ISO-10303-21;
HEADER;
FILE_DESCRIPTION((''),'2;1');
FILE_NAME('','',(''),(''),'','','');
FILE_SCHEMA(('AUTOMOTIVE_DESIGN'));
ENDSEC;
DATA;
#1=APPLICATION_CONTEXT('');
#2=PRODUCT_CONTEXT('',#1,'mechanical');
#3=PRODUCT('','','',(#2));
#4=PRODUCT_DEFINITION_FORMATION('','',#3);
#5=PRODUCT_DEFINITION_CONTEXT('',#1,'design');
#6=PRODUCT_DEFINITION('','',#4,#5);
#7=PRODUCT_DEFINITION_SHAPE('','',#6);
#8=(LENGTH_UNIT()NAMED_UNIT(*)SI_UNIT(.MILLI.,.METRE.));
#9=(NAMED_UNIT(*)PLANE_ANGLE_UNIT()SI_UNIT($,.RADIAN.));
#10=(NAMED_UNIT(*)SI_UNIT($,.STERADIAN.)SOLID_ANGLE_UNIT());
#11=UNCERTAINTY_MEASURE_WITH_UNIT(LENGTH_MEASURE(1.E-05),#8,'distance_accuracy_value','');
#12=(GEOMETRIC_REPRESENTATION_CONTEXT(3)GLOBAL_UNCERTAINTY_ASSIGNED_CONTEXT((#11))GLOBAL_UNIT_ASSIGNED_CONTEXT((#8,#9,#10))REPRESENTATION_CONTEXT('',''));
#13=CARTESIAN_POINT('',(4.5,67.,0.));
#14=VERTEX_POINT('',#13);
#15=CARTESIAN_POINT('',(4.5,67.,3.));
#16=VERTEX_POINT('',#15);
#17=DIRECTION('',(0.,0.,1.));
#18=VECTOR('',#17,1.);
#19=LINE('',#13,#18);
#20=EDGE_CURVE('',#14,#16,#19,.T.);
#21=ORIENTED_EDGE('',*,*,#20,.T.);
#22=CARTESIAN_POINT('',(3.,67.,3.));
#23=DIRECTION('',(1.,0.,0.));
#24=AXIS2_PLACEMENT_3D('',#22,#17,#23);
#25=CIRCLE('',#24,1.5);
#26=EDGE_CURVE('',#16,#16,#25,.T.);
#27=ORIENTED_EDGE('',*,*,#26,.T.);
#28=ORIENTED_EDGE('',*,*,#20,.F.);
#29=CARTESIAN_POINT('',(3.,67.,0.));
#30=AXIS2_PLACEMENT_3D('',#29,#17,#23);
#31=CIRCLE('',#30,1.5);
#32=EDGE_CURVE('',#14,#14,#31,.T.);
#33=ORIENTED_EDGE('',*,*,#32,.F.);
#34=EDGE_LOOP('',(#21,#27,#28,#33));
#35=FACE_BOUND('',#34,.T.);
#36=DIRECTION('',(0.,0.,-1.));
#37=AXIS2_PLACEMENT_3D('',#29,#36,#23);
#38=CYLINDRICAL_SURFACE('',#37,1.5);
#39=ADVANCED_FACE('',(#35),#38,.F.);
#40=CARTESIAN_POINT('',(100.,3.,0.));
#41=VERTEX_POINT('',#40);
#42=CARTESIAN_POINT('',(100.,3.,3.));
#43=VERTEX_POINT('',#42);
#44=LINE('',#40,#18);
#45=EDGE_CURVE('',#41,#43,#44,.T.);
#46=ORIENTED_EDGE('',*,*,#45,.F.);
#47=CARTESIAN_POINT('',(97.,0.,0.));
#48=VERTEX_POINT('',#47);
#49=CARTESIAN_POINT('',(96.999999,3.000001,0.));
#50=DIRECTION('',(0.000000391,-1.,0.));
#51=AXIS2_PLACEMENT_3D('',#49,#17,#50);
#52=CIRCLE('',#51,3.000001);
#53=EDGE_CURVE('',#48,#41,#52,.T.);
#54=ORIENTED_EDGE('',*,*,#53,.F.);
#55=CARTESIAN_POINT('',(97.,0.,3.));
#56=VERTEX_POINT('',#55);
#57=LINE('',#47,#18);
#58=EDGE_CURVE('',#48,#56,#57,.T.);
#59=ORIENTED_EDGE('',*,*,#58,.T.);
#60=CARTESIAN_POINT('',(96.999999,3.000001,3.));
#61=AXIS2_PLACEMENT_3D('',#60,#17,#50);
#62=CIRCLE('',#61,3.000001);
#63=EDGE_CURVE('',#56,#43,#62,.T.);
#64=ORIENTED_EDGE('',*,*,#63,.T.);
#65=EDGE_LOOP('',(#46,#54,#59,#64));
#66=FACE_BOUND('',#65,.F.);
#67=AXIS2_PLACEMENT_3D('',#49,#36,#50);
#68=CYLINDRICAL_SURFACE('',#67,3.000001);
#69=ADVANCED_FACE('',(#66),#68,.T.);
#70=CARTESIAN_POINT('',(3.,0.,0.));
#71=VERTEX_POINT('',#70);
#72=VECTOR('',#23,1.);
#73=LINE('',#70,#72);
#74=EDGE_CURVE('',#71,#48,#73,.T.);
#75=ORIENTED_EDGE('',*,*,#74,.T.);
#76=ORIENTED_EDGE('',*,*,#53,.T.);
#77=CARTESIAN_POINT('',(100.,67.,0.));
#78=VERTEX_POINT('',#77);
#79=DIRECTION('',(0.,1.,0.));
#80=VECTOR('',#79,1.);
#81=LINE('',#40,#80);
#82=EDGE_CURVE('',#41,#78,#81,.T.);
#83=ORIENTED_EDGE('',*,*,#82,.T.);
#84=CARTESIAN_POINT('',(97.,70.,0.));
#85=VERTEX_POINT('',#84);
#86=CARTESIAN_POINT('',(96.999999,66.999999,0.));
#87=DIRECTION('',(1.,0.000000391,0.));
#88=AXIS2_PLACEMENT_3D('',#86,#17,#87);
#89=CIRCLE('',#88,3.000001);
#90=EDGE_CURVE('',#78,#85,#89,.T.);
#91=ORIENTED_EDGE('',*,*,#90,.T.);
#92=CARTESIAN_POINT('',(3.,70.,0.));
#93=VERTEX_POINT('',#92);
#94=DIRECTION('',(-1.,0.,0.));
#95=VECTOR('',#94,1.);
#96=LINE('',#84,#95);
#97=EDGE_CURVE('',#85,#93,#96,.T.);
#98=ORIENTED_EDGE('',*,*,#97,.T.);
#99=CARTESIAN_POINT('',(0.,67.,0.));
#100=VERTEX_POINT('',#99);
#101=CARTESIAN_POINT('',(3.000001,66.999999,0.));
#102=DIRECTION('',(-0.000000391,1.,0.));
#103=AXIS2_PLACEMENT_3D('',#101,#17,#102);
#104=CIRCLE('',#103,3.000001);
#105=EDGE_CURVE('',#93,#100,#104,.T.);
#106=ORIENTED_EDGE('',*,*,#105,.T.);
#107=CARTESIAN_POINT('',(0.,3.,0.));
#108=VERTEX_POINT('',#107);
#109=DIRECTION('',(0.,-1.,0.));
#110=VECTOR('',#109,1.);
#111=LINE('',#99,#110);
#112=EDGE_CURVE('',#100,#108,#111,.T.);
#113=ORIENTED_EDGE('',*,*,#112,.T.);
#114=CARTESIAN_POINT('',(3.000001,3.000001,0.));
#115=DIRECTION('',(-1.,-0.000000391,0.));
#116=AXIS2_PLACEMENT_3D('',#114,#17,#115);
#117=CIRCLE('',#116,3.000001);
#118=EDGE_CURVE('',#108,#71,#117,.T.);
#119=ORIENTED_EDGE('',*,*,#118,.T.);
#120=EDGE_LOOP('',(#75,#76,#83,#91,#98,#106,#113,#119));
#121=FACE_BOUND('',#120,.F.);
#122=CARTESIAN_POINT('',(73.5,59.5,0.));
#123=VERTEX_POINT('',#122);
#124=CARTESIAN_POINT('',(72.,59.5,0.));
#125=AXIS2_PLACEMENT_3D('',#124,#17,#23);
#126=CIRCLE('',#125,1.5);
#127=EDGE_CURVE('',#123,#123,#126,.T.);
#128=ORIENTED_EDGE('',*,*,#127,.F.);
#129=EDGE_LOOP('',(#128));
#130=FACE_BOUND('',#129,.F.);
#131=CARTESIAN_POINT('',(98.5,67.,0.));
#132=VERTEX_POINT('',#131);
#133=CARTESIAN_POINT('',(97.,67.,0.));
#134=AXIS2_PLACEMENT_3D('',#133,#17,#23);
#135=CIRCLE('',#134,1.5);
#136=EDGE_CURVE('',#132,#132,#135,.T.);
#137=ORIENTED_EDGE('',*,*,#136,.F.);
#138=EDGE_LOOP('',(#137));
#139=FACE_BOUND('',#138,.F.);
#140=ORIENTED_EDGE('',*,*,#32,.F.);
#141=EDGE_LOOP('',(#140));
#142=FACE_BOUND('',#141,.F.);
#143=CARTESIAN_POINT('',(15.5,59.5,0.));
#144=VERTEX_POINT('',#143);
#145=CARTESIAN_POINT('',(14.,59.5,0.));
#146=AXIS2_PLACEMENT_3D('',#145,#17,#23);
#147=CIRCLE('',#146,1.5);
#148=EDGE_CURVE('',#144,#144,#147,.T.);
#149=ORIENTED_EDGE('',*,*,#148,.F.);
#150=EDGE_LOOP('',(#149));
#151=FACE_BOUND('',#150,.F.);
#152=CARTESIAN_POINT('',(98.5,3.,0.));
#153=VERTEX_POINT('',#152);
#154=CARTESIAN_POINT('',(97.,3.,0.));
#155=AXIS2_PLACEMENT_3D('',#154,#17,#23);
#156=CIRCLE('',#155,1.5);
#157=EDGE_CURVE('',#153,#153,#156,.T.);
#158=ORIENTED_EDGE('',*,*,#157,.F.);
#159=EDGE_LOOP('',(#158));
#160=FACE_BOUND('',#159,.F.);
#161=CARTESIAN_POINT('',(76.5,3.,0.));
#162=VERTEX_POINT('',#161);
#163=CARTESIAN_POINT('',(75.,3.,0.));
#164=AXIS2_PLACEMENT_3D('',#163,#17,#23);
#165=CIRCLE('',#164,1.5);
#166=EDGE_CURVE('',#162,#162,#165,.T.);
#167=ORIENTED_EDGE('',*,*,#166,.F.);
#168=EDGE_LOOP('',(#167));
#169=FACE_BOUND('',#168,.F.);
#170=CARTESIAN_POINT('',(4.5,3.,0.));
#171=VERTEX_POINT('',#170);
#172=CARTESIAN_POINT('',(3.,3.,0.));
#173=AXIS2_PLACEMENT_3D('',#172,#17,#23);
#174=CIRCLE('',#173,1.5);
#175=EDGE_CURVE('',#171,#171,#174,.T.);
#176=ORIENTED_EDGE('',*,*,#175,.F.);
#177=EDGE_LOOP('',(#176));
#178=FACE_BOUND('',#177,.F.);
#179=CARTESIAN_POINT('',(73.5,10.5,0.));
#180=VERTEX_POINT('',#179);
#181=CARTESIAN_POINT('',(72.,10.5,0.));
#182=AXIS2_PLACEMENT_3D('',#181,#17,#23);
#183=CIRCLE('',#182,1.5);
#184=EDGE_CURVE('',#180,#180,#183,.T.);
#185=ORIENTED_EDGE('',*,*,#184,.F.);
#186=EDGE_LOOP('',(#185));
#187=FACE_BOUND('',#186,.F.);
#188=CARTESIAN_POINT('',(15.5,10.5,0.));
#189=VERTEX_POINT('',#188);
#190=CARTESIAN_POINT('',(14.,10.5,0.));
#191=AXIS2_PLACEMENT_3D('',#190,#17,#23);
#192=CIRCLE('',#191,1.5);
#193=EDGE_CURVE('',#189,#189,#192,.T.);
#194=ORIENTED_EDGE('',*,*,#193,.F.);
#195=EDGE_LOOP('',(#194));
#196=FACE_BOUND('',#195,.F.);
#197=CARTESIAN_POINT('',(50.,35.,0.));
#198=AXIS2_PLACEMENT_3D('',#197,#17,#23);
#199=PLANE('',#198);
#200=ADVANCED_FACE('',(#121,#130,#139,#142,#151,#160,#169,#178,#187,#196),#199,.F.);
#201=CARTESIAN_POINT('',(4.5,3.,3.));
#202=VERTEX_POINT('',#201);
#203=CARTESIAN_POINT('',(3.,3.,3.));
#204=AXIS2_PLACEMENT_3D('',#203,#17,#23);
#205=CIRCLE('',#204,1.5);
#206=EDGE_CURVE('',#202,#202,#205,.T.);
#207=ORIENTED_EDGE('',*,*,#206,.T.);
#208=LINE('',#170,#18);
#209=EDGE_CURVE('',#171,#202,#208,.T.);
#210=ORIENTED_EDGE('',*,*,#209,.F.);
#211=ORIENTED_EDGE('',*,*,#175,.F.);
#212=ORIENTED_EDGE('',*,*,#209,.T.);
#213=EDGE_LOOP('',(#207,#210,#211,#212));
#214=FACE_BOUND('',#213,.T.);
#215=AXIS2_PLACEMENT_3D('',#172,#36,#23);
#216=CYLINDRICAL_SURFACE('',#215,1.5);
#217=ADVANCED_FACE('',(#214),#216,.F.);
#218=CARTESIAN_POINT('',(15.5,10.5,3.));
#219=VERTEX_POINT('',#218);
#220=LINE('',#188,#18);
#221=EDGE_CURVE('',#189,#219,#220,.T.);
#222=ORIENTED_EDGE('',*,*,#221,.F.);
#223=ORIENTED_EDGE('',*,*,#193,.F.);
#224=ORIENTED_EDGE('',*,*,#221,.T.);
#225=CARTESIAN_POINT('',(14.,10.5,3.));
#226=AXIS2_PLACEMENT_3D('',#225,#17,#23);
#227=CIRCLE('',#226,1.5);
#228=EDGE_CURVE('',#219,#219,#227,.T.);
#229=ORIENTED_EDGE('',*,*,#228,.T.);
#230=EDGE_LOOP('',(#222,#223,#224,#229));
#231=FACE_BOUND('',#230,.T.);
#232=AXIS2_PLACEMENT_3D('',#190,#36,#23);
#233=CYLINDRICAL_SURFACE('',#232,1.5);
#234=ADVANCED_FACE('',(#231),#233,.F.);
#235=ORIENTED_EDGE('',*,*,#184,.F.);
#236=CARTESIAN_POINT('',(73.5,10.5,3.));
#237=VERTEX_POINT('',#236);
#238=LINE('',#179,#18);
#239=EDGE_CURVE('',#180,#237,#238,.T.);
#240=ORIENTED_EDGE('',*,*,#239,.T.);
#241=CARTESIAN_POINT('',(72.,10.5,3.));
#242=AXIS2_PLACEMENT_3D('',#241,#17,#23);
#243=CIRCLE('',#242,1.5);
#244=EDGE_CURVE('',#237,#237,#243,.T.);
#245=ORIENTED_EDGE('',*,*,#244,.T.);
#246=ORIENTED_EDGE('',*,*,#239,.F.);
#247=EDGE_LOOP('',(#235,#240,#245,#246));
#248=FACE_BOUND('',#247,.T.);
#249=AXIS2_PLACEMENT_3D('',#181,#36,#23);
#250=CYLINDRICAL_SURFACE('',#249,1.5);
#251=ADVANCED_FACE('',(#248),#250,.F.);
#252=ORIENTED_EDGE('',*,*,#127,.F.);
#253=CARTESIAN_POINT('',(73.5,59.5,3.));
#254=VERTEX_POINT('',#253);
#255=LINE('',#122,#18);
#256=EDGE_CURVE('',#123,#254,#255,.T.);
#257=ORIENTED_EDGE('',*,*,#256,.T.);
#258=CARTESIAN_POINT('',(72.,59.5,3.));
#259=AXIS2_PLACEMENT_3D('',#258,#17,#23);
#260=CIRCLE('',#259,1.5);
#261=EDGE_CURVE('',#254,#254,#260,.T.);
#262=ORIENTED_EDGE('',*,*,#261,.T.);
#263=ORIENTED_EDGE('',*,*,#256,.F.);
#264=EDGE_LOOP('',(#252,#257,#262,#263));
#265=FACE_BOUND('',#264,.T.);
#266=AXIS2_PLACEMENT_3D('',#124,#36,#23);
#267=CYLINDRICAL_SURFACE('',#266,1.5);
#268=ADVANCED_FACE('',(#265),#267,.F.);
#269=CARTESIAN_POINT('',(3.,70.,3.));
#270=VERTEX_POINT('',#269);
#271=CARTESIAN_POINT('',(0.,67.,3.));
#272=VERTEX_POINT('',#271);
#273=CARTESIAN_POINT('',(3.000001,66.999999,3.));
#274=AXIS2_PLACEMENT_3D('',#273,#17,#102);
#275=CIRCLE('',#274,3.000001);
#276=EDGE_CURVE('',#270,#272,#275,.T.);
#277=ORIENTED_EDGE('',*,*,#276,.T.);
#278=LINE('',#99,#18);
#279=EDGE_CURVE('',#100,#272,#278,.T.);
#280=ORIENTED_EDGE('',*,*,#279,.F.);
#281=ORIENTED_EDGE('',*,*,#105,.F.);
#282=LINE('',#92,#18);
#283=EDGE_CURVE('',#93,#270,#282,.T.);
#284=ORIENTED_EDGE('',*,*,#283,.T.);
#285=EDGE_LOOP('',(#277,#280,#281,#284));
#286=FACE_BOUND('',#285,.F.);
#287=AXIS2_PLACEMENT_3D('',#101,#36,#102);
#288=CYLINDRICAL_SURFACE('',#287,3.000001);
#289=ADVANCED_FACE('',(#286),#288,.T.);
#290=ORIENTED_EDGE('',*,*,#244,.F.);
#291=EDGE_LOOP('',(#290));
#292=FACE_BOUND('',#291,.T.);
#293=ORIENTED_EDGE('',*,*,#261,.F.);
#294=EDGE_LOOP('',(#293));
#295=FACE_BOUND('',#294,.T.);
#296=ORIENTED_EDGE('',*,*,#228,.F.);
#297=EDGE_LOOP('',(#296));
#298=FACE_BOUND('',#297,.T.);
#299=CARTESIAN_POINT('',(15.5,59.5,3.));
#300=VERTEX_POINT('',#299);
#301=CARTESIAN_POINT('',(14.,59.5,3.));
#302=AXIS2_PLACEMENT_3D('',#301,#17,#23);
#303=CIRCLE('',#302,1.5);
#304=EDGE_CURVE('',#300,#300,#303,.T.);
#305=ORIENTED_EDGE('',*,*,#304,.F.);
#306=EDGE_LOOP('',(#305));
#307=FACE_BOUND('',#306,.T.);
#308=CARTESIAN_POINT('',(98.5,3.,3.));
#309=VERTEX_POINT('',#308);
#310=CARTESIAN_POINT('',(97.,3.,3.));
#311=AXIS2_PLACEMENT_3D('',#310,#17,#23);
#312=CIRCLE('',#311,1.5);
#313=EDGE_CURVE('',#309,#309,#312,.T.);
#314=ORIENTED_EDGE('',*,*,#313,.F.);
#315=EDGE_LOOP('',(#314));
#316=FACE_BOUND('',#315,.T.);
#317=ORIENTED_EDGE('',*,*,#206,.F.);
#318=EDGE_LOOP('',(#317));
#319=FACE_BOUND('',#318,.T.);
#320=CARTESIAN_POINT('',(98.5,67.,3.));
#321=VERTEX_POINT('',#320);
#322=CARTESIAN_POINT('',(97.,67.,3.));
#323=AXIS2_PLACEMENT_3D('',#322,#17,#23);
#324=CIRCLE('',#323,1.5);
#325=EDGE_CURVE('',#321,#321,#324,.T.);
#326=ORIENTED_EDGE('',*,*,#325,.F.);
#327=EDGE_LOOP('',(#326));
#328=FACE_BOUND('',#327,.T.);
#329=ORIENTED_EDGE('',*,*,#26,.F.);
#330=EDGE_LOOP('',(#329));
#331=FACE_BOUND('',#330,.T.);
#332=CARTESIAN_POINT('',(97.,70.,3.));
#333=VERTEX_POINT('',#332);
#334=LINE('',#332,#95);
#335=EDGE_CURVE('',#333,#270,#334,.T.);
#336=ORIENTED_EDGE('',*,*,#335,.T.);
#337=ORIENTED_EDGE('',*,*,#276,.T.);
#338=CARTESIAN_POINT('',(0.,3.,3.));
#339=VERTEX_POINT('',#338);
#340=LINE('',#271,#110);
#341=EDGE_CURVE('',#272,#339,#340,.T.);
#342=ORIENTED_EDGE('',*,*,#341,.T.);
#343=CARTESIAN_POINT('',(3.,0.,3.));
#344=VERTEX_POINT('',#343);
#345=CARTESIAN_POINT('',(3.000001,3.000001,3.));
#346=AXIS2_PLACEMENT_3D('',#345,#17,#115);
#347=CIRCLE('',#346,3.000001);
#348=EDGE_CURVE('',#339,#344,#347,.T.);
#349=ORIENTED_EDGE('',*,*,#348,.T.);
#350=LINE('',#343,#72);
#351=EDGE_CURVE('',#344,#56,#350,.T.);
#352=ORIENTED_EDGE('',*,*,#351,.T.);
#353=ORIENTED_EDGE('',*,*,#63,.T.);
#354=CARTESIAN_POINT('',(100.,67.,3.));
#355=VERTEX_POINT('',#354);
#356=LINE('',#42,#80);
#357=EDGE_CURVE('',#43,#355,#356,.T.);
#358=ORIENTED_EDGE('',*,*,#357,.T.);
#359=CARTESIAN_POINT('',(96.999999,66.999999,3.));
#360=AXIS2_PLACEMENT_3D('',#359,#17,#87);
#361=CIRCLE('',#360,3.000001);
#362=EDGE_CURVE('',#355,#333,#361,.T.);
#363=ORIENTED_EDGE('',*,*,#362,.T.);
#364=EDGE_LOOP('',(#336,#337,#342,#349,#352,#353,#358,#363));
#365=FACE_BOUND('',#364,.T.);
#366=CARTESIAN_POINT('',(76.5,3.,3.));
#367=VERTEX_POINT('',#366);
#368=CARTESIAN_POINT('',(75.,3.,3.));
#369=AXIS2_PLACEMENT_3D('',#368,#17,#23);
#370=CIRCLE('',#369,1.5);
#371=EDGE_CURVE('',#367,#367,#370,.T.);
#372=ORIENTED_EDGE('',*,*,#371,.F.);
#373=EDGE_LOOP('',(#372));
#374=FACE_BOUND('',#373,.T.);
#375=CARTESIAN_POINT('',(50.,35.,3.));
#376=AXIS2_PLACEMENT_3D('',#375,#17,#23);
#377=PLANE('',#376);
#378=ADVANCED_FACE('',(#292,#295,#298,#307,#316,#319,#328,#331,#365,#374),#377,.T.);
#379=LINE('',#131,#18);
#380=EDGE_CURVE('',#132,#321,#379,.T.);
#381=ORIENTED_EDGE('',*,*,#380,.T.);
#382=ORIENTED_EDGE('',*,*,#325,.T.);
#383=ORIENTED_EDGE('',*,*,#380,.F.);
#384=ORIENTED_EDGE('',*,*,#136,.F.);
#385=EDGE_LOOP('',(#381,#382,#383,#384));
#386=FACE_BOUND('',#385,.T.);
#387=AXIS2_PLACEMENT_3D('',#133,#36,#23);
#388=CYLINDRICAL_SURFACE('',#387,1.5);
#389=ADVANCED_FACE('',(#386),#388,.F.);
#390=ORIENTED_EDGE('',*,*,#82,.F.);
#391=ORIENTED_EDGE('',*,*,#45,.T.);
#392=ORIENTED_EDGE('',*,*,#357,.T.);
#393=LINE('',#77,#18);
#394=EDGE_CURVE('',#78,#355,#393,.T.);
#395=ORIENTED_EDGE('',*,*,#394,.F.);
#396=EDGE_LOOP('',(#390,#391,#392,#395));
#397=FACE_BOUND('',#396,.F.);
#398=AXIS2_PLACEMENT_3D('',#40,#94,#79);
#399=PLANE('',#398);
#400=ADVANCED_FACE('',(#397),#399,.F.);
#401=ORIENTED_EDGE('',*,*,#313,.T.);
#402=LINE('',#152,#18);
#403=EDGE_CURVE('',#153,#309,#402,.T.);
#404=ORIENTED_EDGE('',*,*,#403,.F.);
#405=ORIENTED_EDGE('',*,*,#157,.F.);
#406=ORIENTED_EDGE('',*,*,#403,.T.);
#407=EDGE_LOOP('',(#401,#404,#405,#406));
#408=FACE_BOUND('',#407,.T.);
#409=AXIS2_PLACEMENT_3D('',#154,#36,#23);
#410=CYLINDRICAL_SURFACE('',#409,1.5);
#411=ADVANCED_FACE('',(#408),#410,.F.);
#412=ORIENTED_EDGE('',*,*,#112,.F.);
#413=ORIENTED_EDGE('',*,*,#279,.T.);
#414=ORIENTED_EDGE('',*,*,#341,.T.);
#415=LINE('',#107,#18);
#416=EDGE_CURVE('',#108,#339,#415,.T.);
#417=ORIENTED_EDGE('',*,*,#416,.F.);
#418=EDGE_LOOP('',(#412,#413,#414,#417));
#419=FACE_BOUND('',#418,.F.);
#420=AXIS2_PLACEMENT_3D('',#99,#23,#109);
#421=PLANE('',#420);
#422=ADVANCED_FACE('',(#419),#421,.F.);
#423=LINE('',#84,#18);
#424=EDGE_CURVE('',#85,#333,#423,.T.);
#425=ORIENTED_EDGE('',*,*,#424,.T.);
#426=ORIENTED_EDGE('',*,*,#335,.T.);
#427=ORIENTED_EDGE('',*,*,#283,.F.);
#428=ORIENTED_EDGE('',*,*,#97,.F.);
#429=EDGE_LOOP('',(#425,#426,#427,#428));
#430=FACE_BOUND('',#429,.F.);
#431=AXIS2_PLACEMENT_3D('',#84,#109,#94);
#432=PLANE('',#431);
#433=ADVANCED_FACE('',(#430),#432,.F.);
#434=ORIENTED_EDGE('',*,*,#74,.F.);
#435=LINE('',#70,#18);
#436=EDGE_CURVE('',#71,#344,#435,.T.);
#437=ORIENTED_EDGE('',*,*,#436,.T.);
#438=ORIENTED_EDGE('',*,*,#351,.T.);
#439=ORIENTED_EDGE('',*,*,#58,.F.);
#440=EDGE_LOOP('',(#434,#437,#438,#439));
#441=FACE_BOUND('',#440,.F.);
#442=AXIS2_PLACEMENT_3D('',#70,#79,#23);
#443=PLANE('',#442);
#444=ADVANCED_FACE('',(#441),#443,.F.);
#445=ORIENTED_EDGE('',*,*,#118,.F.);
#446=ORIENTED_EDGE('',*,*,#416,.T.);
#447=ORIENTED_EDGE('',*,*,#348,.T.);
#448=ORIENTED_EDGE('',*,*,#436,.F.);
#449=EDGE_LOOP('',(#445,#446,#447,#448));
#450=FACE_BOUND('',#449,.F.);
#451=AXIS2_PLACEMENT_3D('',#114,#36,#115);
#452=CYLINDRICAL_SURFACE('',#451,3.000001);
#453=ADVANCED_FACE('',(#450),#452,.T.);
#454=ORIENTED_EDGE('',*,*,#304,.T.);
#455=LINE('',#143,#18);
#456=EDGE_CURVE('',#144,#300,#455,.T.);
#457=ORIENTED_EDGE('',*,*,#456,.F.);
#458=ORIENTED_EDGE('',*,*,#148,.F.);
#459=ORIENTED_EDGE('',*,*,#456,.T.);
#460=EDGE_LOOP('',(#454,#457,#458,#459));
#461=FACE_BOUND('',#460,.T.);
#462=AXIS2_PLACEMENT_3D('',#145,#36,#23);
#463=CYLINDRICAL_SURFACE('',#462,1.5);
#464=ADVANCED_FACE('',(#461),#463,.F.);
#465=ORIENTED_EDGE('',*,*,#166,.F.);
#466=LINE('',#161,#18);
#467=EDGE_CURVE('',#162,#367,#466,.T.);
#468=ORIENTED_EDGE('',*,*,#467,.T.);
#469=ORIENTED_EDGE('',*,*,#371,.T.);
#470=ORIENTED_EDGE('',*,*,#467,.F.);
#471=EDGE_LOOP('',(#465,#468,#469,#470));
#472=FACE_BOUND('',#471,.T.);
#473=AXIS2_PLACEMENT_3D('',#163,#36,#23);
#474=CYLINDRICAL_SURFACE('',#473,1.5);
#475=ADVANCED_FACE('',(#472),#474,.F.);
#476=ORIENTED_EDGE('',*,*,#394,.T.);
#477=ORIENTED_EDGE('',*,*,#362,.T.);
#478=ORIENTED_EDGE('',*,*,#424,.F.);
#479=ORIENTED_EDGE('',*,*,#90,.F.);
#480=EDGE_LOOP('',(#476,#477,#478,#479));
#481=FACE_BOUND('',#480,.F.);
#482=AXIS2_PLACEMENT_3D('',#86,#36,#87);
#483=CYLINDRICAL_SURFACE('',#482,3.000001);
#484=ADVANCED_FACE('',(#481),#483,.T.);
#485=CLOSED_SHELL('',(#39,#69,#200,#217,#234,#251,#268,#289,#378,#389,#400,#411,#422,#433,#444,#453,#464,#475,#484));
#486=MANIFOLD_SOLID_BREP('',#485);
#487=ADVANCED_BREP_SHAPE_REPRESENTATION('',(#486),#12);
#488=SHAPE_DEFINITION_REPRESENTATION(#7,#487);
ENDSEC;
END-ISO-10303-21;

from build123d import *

# Parameters (mm, degrees)
F0_R     = 1.5
F1_DEPTH = 3


with BuildPart() as f1:
    # F0 (on Top) → F1 (new body)
    with BuildSketch(Plane.XY):
        with BuildLine():
            ThreePointArc((0, 3), (0.87868, 0.87868), (3, 0))
            Line((3, 0), (97, 0))
            ThreePointArc((97, 0), (99.12132, 0.87868), (100, 3))
            Line((100, 3), (100, 67))
            ThreePointArc((100, 67), (99.12132, 69.12132), (97, 70))
            Line((97, 70), (3, 70))
            ThreePointArc((3, 70), (0.87868, 69.12132), (0, 67))
            Line((0, 67), (0, 3))
        make_face()
        with Locations((3, 3)):
            Circle(F0_R, mode=Mode.SUBTRACT)
        with Locations((14, 10.5)):
            Circle(F0_R, mode=Mode.SUBTRACT)
        with Locations((72, 10.5)):
            Circle(F0_R, mode=Mode.SUBTRACT)
        with Locations((75, 3)):
            Circle(F0_R, mode=Mode.SUBTRACT)
        with Locations((97, 3)):
            Circle(F0_R, mode=Mode.SUBTRACT)
        with Locations((14, 59.5)):
            Circle(F0_R, mode=Mode.SUBTRACT)
        with Locations((3, 67)):
            Circle(F0_R, mode=Mode.SUBTRACT)
        with Locations((72, 59.5)):
            Circle(F0_R, mode=Mode.SUBTRACT)
        with Locations((97, 67)):
            Circle(F0_R, mode=Mode.SUBTRACT)
    extrude(amount=F1_DEPTH)


solid = f1.part
